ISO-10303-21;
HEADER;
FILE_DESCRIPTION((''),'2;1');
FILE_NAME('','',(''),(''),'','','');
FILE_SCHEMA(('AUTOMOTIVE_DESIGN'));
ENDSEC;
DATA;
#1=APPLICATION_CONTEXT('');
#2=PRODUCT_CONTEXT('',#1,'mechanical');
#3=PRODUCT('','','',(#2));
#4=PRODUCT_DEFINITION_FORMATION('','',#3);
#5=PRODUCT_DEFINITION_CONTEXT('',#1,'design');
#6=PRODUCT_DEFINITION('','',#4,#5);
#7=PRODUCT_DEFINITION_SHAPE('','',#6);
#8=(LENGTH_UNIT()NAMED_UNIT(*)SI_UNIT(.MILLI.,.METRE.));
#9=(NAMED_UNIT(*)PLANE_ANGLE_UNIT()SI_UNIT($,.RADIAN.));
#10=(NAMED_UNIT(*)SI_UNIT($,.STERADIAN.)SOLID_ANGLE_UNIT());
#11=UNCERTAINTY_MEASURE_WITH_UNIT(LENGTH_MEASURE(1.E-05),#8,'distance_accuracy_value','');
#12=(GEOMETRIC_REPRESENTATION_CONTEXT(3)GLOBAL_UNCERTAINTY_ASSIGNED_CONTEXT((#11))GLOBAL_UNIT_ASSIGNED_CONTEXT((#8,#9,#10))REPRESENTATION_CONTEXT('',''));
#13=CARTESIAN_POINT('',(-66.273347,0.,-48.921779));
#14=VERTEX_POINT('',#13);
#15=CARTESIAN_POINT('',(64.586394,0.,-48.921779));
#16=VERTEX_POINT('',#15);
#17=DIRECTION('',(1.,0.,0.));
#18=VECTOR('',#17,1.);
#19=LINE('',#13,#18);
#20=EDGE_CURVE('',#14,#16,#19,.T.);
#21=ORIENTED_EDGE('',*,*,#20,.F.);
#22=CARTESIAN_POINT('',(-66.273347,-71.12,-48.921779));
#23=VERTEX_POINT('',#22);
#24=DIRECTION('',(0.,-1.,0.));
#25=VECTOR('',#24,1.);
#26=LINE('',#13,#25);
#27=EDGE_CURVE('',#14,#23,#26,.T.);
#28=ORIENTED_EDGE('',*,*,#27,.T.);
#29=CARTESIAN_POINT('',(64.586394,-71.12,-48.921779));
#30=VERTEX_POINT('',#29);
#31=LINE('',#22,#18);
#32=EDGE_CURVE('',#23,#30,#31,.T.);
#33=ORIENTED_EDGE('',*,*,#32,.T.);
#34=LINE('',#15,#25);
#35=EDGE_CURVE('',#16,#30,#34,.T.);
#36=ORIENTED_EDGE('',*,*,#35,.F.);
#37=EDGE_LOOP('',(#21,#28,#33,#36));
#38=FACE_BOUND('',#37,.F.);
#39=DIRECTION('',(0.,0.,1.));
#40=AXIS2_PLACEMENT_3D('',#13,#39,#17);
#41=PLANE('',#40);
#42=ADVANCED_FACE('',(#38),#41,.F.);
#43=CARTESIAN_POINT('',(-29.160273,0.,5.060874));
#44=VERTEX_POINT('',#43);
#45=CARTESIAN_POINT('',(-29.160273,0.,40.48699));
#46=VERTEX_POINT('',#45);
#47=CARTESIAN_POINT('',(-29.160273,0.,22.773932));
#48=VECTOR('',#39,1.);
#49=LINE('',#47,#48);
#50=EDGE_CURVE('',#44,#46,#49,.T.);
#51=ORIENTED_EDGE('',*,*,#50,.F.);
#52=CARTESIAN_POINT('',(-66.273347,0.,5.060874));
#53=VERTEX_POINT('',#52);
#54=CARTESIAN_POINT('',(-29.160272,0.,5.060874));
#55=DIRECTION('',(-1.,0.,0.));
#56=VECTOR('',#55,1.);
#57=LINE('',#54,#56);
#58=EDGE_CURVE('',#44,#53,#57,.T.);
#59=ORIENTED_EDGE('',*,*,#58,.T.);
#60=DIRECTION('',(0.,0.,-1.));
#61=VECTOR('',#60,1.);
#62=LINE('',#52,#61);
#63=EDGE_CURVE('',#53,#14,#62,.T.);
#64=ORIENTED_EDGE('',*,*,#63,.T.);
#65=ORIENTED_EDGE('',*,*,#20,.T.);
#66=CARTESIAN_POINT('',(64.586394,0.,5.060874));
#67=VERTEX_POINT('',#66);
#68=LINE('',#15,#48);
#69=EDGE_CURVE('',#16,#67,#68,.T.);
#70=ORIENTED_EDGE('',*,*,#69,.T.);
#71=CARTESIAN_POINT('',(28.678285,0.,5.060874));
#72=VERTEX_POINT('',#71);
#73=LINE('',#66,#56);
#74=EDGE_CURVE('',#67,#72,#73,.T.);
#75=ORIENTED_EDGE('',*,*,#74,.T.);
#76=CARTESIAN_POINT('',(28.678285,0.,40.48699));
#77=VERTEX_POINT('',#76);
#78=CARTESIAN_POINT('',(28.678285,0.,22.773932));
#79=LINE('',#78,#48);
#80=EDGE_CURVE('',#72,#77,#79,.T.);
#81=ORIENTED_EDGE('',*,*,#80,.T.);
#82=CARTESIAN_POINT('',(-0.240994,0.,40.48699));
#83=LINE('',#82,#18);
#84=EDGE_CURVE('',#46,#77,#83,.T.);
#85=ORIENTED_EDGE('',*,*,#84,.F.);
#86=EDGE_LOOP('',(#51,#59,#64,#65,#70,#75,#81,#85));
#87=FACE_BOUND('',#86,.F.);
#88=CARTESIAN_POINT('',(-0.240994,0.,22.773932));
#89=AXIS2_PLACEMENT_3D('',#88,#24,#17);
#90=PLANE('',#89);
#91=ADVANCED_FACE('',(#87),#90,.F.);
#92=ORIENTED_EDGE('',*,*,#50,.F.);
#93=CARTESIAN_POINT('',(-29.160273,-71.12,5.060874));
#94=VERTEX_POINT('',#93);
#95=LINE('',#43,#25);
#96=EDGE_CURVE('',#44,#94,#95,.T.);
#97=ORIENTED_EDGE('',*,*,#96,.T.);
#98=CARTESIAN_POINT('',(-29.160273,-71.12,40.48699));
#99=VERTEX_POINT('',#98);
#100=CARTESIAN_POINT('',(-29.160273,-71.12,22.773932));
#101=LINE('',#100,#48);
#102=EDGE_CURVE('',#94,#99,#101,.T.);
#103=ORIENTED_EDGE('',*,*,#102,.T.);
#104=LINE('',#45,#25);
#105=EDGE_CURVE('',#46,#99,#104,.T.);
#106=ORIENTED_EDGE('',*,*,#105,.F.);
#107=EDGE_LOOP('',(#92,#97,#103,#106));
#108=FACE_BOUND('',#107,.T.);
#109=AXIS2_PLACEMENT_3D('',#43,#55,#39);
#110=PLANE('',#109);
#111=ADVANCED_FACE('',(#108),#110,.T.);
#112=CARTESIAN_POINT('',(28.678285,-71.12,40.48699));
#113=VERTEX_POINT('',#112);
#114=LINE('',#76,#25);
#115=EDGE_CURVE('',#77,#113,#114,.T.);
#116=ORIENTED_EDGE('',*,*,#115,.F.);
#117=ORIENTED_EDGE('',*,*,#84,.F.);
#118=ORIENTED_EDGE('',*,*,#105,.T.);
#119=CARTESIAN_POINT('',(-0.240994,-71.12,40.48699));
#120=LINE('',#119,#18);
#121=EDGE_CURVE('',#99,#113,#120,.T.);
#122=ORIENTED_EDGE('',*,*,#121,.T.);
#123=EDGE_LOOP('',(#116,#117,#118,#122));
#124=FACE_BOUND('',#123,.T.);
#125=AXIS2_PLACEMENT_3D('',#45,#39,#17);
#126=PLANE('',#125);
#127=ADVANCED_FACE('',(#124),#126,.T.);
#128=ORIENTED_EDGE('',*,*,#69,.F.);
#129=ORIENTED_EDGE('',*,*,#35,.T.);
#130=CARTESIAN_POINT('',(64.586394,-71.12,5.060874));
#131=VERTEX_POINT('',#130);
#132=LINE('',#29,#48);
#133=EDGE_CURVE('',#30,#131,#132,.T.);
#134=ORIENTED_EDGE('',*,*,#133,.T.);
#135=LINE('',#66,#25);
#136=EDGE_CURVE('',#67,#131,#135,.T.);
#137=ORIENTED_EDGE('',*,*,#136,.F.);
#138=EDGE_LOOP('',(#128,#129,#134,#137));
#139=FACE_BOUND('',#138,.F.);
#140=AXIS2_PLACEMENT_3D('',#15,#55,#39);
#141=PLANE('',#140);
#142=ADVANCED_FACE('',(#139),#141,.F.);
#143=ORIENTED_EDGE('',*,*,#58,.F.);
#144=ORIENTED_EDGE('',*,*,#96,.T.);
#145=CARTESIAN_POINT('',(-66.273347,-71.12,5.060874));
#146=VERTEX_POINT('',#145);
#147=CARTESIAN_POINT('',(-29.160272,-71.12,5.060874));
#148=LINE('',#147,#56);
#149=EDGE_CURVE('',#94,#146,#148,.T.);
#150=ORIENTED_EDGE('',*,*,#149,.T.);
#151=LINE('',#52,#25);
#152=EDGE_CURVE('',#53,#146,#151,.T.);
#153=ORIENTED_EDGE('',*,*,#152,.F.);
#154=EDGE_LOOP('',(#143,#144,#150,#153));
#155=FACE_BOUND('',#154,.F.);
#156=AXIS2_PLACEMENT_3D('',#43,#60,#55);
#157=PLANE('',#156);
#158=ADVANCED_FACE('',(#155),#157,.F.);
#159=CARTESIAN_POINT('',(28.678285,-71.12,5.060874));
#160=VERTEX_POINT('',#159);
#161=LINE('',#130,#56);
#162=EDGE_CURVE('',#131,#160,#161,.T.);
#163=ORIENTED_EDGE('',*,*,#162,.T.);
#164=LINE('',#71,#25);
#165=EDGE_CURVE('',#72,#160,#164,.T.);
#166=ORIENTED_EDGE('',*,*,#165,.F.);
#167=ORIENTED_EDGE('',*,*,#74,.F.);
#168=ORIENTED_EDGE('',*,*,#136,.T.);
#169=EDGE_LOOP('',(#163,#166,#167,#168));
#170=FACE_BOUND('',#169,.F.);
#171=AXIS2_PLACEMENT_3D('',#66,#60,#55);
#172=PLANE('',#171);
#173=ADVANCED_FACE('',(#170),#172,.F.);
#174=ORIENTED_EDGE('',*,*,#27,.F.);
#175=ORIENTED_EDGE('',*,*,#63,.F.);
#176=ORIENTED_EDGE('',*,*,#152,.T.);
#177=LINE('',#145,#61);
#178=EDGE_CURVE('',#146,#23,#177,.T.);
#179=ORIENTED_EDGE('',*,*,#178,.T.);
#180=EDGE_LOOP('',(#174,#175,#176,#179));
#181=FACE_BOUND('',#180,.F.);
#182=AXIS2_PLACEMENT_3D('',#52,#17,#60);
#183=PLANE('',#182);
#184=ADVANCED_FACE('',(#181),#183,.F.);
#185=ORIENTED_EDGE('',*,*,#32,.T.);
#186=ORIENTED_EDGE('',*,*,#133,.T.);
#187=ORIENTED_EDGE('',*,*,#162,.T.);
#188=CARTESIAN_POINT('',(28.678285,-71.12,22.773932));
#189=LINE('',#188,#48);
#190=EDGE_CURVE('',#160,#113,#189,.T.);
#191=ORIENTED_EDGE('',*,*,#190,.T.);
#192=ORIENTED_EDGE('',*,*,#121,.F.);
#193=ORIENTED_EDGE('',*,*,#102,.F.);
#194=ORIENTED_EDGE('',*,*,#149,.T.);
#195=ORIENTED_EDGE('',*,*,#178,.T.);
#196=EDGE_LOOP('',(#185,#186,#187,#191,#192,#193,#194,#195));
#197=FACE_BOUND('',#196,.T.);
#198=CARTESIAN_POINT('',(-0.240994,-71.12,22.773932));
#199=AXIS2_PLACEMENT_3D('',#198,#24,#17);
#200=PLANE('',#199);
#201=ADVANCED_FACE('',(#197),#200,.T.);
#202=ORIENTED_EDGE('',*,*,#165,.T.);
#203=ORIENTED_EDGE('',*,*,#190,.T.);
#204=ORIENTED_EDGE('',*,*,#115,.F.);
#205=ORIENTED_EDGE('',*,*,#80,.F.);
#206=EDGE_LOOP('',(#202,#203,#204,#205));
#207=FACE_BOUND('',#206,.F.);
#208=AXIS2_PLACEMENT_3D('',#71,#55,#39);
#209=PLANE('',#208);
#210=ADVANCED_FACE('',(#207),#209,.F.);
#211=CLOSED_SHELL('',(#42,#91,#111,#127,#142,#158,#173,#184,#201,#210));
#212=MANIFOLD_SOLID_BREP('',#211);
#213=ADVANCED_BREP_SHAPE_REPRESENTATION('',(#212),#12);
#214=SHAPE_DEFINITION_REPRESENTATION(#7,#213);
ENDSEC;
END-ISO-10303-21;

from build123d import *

# Parameters (mm, degrees)
F0_W     = 57.838557
F0_H     = 35.426117
F1_DEPTH = 71.12


with BuildPart() as f1:
    # F0 (on Front) → F1 (new body)
    with BuildSketch(Plane.XZ):
        with Locations((-0.240994, 22.773932)):
            Rectangle(F0_W, F0_H)
        Polygon((-29.160272, 5.060874), (-66.273347, 5.060874), (-66.273347, -48.921779), (64.586394, -48.921779), (64.586394, 5.060874), (28.678285, 5.060874), align=None)
    extrude(amount=F1_DEPTH)


solid = f1.part
